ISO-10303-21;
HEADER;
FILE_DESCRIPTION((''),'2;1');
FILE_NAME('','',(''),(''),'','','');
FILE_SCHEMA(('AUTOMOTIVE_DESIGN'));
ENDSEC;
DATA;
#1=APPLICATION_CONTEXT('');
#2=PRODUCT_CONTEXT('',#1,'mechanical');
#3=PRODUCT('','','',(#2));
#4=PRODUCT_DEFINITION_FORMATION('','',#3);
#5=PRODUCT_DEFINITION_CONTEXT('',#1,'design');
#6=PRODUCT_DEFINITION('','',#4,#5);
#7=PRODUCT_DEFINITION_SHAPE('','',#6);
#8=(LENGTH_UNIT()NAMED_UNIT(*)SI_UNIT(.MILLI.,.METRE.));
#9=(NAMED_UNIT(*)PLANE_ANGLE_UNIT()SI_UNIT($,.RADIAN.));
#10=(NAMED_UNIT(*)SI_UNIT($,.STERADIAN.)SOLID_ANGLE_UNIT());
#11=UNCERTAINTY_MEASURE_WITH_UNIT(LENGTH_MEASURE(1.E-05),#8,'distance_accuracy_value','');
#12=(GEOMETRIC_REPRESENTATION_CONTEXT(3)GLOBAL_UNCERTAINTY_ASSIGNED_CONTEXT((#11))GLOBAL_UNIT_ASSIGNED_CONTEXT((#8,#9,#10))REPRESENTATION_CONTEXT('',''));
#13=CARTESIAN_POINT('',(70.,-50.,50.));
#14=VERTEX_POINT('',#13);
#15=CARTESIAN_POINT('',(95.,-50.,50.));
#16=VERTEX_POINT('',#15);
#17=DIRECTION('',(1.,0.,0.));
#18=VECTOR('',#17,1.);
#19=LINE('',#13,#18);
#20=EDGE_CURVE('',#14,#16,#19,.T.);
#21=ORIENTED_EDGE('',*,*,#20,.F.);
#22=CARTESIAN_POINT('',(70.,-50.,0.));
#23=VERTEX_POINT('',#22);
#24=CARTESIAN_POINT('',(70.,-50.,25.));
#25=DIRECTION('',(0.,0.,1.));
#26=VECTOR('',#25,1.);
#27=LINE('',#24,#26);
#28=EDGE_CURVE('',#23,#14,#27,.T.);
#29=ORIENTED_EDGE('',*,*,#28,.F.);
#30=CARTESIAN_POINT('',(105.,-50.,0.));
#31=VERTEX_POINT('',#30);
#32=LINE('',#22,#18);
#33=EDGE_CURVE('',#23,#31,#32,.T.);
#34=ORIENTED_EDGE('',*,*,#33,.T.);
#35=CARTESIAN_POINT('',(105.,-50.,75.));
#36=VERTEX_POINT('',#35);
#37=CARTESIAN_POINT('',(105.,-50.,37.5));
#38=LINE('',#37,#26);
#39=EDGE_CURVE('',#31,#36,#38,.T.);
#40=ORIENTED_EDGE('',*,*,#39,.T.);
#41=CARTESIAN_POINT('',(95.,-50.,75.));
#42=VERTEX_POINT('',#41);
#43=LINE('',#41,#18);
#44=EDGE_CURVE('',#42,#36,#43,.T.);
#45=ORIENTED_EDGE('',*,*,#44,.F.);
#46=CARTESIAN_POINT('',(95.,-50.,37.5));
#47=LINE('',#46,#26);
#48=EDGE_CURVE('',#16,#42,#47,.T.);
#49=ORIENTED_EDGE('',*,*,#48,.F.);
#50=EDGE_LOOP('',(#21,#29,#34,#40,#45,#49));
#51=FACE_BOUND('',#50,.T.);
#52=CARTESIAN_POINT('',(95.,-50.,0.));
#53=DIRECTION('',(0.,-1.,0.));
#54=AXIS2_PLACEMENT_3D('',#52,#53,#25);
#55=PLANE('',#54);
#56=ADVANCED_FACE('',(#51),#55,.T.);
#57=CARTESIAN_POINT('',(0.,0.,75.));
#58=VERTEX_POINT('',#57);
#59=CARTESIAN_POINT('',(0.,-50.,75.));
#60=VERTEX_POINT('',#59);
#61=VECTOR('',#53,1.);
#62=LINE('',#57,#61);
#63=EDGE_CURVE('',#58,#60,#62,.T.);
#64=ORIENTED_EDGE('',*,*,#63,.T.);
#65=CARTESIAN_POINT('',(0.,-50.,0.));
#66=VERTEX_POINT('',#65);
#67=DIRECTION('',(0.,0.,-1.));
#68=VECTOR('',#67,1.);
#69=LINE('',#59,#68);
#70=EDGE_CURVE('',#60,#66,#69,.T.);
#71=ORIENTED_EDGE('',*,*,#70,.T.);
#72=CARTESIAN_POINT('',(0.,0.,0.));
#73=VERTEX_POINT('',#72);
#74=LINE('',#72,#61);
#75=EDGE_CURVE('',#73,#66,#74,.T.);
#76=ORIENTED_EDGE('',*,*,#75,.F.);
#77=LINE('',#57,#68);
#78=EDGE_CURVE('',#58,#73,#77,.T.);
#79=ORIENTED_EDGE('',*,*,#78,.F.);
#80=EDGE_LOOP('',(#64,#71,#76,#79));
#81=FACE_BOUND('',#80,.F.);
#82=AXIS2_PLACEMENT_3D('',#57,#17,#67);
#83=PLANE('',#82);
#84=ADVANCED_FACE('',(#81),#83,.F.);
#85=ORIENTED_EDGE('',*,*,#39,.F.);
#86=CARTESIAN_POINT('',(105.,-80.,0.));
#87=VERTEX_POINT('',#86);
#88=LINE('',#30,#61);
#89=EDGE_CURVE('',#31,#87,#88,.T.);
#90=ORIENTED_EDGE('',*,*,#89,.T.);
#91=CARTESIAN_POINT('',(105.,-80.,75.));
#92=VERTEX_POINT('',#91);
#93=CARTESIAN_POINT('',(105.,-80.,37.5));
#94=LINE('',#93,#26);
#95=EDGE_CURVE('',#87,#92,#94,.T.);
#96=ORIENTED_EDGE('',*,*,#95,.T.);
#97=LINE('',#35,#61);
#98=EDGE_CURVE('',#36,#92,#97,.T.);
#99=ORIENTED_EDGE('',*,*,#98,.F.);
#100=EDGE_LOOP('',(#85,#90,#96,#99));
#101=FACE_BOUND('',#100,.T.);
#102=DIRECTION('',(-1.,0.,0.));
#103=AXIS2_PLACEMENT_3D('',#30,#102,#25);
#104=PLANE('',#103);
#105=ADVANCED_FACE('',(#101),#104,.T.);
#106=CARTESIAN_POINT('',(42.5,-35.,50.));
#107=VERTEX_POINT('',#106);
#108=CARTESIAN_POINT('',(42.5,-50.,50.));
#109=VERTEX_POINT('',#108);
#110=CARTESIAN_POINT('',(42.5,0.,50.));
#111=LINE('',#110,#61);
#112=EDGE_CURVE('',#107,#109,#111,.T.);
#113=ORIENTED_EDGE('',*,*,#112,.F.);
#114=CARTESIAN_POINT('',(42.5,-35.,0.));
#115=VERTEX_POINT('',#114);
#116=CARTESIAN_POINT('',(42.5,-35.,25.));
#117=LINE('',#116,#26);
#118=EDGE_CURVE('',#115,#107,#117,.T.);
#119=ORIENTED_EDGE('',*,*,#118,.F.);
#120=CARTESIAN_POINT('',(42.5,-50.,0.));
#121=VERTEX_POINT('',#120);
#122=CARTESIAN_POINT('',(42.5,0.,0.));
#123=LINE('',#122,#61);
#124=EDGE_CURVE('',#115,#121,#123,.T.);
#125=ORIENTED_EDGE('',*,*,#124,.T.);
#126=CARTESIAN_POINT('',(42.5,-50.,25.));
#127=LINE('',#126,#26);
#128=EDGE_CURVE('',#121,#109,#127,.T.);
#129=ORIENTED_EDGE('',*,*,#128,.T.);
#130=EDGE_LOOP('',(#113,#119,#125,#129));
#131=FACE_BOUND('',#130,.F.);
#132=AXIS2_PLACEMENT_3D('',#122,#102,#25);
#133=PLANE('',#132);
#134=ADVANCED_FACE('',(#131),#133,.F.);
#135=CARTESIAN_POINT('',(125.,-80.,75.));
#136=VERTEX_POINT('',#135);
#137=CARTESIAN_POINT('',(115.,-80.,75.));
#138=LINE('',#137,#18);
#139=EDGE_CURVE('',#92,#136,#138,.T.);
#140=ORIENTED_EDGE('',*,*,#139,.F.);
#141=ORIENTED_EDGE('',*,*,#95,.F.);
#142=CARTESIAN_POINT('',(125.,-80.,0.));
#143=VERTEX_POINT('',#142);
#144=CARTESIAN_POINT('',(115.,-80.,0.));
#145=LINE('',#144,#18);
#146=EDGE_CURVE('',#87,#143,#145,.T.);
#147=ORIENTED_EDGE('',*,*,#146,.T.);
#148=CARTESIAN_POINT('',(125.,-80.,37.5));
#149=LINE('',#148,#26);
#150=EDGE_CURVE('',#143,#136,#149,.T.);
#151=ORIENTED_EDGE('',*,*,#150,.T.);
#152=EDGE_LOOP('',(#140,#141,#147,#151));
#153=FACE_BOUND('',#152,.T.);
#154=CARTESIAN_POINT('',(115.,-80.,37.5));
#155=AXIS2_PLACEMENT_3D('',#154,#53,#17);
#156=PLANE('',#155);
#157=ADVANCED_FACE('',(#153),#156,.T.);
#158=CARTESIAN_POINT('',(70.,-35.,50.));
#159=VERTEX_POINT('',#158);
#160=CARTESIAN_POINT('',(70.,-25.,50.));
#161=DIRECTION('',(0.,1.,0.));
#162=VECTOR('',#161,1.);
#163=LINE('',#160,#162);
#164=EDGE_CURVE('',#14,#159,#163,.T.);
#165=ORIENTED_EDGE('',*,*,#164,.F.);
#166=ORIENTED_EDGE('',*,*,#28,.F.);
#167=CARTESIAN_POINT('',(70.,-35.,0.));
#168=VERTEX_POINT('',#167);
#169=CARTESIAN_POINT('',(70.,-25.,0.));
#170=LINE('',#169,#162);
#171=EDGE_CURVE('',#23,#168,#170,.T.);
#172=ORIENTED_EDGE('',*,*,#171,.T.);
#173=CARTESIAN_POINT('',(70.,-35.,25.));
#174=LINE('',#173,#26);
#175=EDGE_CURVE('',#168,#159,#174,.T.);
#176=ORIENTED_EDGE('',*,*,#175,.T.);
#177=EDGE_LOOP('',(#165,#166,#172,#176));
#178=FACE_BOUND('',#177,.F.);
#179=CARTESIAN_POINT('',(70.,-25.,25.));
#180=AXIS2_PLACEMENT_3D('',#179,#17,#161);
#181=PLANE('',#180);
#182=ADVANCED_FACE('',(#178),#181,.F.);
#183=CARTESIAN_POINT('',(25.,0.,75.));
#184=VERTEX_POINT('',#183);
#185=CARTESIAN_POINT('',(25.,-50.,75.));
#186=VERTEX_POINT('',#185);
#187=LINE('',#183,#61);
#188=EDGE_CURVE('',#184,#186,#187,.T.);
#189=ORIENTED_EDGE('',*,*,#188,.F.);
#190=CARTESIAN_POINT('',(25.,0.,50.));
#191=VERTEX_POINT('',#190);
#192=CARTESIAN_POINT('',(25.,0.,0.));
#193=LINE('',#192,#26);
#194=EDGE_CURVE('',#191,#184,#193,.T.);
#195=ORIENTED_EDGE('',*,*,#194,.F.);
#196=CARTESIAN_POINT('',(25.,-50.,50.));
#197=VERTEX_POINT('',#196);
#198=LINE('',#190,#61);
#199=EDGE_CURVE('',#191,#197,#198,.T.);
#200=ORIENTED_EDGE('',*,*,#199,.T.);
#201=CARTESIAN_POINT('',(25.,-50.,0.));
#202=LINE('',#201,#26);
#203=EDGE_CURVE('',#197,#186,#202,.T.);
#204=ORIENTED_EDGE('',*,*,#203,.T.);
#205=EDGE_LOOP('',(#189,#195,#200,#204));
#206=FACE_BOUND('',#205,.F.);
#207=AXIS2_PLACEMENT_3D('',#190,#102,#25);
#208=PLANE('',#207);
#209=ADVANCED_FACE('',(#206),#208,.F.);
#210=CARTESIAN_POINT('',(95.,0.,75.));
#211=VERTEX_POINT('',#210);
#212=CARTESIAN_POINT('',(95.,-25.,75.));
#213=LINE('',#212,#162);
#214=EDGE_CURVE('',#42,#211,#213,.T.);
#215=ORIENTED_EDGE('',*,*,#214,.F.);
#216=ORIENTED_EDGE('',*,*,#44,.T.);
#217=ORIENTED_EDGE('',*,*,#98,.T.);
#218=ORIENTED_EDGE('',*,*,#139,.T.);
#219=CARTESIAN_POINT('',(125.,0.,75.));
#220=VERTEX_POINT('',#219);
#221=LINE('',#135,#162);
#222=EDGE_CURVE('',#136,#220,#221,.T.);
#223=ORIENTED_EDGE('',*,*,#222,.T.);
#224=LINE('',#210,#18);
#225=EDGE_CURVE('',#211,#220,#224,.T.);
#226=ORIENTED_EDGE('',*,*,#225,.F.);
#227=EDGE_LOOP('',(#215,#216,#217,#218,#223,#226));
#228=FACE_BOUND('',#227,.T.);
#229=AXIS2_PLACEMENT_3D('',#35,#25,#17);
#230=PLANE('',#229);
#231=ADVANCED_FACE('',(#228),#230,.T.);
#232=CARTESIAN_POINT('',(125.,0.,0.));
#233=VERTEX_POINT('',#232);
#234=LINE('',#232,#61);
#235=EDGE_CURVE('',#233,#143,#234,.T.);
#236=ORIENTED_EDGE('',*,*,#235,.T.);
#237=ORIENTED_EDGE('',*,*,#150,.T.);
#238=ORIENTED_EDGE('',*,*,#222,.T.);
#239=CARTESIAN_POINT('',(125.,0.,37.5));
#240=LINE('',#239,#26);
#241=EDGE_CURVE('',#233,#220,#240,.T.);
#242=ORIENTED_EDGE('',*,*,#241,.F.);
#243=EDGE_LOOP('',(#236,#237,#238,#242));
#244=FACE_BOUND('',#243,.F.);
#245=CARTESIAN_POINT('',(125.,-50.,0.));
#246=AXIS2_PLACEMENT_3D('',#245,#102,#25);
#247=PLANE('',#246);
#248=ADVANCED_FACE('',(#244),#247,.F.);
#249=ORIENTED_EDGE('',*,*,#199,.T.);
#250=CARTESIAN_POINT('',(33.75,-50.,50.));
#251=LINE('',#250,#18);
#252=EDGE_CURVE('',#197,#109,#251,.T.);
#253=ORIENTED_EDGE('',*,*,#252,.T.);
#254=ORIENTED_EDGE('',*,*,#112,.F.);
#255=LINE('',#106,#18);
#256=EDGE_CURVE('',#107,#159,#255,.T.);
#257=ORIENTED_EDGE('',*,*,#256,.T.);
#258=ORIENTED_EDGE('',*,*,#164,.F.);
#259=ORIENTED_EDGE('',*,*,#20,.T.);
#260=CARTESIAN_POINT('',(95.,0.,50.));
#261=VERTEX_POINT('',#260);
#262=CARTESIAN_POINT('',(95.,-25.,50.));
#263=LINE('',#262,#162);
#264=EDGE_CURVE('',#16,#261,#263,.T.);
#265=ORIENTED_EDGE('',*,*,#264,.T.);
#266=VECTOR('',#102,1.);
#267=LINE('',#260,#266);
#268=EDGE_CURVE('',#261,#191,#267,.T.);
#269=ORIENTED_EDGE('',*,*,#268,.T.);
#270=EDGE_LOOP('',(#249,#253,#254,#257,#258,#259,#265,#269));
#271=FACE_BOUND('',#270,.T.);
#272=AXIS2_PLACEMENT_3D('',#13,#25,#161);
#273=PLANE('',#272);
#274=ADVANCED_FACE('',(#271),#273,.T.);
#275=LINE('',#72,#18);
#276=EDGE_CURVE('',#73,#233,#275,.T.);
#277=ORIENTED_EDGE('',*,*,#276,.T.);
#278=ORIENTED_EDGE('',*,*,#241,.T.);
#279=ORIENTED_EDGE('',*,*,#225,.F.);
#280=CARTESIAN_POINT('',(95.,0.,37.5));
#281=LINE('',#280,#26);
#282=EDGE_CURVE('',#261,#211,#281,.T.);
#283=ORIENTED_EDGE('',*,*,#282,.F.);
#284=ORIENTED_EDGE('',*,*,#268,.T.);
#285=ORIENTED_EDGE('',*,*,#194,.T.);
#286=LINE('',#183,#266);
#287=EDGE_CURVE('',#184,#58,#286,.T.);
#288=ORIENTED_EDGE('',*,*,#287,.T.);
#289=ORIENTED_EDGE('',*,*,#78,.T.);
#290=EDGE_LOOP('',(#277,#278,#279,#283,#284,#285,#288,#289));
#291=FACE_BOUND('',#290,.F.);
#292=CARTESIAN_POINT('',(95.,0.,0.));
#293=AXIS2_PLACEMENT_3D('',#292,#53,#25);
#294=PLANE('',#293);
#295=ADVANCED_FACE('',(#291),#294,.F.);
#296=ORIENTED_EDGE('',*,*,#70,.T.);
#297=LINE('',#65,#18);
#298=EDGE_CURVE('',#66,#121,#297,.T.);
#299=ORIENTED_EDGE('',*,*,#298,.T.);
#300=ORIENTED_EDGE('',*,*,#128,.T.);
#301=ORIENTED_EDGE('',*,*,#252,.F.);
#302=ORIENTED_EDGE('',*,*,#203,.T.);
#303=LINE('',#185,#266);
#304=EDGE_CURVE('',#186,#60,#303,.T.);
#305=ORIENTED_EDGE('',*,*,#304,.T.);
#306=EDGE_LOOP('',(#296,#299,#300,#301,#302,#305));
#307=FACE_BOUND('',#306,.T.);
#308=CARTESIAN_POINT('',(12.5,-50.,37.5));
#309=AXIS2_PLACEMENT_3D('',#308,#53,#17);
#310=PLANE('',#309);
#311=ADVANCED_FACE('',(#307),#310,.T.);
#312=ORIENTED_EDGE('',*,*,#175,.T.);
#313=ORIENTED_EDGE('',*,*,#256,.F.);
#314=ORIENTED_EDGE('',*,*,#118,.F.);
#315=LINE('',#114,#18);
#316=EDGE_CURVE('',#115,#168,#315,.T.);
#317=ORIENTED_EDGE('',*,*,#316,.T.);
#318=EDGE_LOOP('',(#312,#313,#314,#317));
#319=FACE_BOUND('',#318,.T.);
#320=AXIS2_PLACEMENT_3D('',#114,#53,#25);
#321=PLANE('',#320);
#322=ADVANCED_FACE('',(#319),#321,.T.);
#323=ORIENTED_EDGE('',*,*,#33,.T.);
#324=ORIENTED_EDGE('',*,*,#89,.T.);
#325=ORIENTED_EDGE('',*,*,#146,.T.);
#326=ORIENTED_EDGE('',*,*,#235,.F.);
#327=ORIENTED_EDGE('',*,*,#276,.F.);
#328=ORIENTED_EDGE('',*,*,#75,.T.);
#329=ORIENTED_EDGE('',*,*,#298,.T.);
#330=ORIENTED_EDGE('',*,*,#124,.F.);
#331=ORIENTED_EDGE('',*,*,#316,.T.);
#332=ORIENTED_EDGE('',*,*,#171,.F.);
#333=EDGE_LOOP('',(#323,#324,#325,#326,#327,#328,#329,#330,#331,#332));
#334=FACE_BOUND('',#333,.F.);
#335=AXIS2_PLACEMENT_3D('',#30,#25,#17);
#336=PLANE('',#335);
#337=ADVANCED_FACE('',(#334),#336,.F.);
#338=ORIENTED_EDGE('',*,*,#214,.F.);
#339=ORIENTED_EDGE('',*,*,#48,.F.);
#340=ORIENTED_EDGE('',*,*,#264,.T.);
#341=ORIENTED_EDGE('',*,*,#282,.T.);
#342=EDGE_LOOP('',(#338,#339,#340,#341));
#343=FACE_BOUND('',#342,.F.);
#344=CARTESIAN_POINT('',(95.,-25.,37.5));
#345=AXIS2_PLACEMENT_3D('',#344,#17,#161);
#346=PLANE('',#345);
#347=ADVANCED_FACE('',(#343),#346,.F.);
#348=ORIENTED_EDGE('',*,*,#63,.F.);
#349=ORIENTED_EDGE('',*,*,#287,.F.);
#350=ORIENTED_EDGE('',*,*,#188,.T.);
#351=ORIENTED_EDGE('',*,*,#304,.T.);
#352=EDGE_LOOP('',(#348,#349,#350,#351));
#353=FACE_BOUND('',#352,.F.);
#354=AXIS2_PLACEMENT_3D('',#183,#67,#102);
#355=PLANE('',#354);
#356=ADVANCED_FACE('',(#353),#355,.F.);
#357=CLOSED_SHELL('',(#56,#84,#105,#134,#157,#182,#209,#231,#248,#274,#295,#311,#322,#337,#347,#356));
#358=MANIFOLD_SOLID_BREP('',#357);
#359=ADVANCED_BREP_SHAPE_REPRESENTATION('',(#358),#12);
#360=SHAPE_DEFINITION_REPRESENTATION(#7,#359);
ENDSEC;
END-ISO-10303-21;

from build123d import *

# Parameters (mm, degrees)
F0_W     = 17.5
F0_H     = 50
F1_DEPTH = 50
F2_W     = 35
F2_H     = 50
F3_DEPTH = 27.5
F4_W     = 50
F4_H     = 50
F5_DEPTH = 25
F6_W     = 50
F6_H     = 75
F7_DEPTH = 30
F8_W     = 20
F8_H     = 75
F9_DEPTH = 30


with BuildPart() as f1:
    # F0 (on Front) → F1 (new body)
    with BuildSketch(Plane.XZ):
        Polygon((0, 75), (0, 0), (25, 0), (25, 50), (25, 75), align=None)
        with Locations((33.75, 25)):
            Rectangle(F0_W, F0_H)
    extrude(amount=F1_DEPTH)

    # F2 (on face) → F3 (join)
    with BuildSketch(Plane.YZ.offset(42.5)):
        with Locations((-17.5, 25)):
            Rectangle(F2_W, F2_H)
    extrude(amount=F3_DEPTH)

    # F4 (on face) → F5 (join)
    with BuildSketch(Plane.YZ.offset(70)):
        with Locations((-25, 25)):
            Rectangle(F4_W, F4_H)
    extrude(amount=F5_DEPTH)

    # F6 (on face) → F7 (join)
    with BuildSketch(Plane.YZ.offset(95)):
        with Locations((-25, 37.5)):
            Rectangle(F6_W, F6_H)
    extrude(amount=F7_DEPTH)

    # F8 (on face) → F9 (join)
    with BuildSketch(Plane.XZ.offset(50)):
        with Locations((115, 37.5)):
            Rectangle(F8_W, F8_H)
    extrude(amount=F9_DEPTH)


solid = f1.part
